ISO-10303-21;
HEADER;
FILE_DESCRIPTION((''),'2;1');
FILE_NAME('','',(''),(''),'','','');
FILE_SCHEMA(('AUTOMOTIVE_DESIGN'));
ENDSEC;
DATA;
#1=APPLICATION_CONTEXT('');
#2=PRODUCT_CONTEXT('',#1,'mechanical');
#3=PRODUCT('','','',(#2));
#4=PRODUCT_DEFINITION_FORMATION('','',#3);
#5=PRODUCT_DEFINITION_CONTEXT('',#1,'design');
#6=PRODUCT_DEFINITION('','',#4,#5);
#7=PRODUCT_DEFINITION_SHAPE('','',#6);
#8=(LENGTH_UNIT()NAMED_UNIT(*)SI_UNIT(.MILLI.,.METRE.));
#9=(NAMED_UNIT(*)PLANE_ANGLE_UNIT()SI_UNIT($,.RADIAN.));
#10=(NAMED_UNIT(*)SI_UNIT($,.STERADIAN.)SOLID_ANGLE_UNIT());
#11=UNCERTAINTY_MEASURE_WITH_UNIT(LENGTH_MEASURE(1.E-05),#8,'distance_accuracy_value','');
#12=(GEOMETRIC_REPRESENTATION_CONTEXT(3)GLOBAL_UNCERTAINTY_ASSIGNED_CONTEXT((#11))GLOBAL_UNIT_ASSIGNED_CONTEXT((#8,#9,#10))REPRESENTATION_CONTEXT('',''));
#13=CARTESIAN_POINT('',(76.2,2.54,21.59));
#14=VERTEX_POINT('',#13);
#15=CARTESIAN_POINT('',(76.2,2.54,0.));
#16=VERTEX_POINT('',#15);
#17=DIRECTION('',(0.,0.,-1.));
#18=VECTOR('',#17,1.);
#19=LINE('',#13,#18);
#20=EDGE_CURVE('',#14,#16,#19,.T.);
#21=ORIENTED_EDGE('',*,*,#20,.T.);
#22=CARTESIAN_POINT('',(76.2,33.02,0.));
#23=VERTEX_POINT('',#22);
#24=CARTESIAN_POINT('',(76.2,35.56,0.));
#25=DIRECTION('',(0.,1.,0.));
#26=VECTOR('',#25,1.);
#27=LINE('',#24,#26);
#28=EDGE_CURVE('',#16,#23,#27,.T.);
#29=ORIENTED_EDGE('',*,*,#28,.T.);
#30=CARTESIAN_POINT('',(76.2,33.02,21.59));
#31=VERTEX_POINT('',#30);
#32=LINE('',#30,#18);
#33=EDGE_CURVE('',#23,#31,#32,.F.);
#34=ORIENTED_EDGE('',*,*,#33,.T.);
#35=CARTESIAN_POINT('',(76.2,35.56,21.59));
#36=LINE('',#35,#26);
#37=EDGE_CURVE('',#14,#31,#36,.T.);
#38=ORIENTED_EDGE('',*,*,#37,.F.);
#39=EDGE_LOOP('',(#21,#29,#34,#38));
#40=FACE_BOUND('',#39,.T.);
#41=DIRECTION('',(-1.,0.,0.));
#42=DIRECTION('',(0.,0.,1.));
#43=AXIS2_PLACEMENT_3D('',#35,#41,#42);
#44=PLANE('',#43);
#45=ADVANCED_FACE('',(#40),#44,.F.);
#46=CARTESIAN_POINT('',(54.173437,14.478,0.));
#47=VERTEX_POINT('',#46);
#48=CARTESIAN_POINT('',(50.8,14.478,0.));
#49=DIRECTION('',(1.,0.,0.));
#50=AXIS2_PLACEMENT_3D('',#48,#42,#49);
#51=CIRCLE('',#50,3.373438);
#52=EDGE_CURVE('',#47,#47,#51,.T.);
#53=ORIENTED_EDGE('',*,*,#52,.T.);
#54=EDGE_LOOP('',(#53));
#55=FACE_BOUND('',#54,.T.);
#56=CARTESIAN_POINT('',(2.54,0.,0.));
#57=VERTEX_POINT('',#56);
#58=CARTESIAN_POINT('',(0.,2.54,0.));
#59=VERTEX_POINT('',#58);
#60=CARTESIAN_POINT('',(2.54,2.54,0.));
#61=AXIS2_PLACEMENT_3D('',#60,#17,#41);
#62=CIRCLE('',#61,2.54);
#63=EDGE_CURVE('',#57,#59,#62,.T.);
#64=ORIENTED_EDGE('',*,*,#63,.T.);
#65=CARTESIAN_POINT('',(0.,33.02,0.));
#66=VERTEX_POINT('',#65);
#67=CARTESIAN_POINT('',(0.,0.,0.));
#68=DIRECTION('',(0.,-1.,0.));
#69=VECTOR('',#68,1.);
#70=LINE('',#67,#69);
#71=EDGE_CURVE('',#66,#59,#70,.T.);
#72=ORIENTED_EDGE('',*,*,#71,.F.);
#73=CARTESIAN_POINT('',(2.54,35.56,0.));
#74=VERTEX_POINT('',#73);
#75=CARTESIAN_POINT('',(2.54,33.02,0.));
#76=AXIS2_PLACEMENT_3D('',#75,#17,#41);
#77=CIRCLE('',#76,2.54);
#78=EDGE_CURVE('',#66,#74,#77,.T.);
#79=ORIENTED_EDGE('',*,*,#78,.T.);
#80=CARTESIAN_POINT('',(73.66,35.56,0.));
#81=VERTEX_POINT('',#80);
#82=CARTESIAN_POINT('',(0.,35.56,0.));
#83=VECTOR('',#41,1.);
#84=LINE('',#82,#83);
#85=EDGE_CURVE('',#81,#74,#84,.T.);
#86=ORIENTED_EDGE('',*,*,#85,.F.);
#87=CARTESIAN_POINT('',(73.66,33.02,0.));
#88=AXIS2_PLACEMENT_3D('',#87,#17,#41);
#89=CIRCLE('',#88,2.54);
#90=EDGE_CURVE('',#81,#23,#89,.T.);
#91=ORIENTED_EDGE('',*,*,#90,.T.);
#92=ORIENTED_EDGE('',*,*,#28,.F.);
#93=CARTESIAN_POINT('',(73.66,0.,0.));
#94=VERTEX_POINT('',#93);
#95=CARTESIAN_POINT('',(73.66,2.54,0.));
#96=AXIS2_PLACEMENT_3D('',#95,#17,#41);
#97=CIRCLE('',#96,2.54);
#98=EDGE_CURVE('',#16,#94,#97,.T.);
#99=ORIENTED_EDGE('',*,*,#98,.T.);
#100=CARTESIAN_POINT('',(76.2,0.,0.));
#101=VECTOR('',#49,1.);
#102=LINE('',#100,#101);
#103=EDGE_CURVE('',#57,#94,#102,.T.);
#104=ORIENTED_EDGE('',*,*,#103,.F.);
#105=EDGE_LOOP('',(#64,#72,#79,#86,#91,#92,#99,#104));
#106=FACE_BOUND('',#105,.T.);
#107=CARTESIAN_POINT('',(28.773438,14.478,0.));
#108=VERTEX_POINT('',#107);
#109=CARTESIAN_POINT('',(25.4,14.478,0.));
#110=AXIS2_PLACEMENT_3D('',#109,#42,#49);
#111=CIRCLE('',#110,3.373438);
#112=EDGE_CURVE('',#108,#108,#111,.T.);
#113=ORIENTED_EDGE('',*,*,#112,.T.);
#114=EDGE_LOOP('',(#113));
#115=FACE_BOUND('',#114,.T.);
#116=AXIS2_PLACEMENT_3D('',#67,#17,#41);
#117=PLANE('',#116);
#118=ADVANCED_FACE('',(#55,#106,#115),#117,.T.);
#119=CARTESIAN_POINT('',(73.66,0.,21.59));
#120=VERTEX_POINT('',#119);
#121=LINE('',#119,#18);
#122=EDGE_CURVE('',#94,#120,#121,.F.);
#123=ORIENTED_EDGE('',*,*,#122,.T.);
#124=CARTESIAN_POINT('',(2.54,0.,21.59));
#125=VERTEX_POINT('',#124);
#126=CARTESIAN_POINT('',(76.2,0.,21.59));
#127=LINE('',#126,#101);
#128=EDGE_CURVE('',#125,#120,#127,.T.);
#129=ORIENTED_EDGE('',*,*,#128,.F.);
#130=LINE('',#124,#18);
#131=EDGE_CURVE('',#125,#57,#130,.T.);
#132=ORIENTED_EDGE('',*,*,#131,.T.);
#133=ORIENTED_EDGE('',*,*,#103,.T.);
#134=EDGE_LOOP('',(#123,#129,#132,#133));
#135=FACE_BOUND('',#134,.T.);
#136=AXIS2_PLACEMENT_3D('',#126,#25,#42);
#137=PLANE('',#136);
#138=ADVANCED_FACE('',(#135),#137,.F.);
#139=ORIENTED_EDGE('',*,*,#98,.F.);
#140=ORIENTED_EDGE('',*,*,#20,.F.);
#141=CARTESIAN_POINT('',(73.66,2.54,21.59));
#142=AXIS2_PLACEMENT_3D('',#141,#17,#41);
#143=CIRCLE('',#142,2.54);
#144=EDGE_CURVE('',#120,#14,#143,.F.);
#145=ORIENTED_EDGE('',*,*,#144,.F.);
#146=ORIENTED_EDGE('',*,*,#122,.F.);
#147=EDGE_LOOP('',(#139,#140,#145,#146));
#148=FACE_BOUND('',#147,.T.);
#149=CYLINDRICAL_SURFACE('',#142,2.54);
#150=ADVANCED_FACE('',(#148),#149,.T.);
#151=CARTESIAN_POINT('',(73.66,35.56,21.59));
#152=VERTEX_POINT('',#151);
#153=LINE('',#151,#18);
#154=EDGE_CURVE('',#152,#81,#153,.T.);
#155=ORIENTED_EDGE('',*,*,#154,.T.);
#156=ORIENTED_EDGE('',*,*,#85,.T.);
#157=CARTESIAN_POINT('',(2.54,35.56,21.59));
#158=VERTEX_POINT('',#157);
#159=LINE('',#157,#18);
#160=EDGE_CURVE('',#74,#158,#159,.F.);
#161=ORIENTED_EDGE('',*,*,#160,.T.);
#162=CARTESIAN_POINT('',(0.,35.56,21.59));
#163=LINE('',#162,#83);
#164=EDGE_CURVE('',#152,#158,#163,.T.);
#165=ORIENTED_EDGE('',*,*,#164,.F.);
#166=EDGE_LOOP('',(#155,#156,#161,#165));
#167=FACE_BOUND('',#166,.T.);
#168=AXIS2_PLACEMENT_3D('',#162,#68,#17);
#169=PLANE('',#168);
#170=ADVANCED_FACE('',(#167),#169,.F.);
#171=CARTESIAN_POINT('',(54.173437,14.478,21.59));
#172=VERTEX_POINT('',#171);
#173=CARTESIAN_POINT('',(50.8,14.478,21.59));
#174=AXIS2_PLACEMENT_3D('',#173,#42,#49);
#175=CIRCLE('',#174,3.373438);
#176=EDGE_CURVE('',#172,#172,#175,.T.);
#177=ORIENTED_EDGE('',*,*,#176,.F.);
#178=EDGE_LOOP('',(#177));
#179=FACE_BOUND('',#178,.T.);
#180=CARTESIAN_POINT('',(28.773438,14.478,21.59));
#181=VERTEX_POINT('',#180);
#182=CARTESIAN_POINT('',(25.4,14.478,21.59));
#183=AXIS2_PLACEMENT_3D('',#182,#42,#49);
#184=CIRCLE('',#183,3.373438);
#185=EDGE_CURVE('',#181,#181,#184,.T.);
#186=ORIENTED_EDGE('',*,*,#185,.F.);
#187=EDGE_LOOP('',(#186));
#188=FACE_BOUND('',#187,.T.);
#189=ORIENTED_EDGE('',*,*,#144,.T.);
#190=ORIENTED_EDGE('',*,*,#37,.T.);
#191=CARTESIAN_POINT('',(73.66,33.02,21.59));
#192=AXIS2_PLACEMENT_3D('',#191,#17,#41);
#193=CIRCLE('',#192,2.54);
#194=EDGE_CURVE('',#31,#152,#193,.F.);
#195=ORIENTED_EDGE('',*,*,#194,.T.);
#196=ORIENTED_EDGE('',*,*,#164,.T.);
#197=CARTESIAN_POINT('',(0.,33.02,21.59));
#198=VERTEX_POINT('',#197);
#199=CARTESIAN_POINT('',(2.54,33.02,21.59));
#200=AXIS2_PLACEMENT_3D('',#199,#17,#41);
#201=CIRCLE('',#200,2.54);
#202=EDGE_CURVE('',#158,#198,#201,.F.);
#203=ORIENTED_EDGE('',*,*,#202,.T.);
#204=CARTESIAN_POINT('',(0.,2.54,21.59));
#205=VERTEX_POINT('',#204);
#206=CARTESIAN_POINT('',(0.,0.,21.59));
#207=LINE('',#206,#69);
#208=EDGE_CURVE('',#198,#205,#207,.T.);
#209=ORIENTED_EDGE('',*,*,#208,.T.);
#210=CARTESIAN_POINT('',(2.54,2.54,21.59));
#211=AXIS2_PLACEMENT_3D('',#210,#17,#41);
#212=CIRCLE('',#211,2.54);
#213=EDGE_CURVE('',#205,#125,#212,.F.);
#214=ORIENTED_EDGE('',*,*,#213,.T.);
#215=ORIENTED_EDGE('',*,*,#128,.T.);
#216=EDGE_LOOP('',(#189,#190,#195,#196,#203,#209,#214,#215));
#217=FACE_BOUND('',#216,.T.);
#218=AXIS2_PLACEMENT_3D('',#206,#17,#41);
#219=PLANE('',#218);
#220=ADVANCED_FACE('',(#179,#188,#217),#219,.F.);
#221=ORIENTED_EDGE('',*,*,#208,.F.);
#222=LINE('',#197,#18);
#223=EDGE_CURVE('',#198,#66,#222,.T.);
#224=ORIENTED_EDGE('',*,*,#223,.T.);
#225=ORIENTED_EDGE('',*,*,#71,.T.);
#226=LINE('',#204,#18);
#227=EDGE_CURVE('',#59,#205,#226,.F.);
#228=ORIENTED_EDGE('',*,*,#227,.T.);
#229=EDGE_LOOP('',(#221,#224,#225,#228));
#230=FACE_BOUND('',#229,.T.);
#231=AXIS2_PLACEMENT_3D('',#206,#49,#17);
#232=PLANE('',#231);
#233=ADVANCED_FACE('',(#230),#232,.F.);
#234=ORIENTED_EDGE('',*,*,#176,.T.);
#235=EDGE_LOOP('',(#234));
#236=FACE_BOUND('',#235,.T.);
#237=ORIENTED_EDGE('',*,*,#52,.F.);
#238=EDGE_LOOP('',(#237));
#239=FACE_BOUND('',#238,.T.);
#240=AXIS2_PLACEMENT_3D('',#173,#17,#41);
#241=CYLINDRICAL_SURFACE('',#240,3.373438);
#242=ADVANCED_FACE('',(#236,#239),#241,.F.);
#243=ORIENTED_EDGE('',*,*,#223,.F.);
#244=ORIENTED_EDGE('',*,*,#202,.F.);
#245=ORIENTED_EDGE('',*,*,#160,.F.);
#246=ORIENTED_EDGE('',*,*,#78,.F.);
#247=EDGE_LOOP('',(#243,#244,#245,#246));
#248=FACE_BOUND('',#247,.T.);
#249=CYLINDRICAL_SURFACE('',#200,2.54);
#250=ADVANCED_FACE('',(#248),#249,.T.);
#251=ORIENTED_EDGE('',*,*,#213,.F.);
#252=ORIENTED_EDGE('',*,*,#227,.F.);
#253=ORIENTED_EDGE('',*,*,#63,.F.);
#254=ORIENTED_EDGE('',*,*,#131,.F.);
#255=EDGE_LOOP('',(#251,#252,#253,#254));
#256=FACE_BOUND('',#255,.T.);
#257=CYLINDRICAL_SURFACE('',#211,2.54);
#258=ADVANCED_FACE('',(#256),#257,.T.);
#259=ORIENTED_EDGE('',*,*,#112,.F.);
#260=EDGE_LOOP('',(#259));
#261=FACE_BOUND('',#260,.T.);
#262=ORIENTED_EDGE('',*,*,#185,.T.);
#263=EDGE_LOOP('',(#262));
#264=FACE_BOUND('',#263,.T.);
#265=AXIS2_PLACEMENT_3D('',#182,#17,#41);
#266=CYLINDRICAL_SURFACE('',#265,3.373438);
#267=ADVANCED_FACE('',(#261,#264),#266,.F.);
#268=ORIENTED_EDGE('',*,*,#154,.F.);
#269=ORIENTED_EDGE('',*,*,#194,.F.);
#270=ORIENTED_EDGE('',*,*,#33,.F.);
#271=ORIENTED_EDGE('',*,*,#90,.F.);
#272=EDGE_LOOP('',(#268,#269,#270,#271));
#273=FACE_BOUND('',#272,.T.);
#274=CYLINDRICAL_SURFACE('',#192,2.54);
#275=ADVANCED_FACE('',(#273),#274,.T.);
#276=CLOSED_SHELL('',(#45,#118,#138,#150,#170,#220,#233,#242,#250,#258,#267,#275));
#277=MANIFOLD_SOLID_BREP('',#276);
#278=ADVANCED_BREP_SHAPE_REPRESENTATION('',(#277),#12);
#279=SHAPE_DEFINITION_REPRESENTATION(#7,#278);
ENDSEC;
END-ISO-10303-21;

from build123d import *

# Parameters (mm, degrees)
SKETCH1_W           = 76.2
SKETCH1_H           = 35.56
SKETCH1_R           = 3.3734375
BOSS_EXTRUDE1_DEPTH = 21.59
FILLET1_R           = 2.54


with BuildPart() as part:
    # Sketch1 → Boss-Extrude1 (new body)
    with BuildSketch(Plane.XY):
        with Locations((38.1, 17.78)):
            Rectangle(SKETCH1_W, SKETCH1_H)
        with Locations((25.4, 14.478)):
            Circle(SKETCH1_R, mode=Mode.SUBTRACT)
        with Locations((50.8, 14.478)):
            Circle(SKETCH1_R, mode=Mode.SUBTRACT)
    extrude(amount=BOSS_EXTRUDE1_DEPTH)

    # Fillet1
    fillet1_edges = [part.edges().sort_by_distance(p)[0] for p in [
        (0, 0, 10.795),
        (0, 35.56, 10.795),
        (76.2, 35.56, 10.795),
        (76.2, 0, 10.795),
    ]]
    fillet(fillet1_edges, radius=FILLET1_R)


solid = part.part
